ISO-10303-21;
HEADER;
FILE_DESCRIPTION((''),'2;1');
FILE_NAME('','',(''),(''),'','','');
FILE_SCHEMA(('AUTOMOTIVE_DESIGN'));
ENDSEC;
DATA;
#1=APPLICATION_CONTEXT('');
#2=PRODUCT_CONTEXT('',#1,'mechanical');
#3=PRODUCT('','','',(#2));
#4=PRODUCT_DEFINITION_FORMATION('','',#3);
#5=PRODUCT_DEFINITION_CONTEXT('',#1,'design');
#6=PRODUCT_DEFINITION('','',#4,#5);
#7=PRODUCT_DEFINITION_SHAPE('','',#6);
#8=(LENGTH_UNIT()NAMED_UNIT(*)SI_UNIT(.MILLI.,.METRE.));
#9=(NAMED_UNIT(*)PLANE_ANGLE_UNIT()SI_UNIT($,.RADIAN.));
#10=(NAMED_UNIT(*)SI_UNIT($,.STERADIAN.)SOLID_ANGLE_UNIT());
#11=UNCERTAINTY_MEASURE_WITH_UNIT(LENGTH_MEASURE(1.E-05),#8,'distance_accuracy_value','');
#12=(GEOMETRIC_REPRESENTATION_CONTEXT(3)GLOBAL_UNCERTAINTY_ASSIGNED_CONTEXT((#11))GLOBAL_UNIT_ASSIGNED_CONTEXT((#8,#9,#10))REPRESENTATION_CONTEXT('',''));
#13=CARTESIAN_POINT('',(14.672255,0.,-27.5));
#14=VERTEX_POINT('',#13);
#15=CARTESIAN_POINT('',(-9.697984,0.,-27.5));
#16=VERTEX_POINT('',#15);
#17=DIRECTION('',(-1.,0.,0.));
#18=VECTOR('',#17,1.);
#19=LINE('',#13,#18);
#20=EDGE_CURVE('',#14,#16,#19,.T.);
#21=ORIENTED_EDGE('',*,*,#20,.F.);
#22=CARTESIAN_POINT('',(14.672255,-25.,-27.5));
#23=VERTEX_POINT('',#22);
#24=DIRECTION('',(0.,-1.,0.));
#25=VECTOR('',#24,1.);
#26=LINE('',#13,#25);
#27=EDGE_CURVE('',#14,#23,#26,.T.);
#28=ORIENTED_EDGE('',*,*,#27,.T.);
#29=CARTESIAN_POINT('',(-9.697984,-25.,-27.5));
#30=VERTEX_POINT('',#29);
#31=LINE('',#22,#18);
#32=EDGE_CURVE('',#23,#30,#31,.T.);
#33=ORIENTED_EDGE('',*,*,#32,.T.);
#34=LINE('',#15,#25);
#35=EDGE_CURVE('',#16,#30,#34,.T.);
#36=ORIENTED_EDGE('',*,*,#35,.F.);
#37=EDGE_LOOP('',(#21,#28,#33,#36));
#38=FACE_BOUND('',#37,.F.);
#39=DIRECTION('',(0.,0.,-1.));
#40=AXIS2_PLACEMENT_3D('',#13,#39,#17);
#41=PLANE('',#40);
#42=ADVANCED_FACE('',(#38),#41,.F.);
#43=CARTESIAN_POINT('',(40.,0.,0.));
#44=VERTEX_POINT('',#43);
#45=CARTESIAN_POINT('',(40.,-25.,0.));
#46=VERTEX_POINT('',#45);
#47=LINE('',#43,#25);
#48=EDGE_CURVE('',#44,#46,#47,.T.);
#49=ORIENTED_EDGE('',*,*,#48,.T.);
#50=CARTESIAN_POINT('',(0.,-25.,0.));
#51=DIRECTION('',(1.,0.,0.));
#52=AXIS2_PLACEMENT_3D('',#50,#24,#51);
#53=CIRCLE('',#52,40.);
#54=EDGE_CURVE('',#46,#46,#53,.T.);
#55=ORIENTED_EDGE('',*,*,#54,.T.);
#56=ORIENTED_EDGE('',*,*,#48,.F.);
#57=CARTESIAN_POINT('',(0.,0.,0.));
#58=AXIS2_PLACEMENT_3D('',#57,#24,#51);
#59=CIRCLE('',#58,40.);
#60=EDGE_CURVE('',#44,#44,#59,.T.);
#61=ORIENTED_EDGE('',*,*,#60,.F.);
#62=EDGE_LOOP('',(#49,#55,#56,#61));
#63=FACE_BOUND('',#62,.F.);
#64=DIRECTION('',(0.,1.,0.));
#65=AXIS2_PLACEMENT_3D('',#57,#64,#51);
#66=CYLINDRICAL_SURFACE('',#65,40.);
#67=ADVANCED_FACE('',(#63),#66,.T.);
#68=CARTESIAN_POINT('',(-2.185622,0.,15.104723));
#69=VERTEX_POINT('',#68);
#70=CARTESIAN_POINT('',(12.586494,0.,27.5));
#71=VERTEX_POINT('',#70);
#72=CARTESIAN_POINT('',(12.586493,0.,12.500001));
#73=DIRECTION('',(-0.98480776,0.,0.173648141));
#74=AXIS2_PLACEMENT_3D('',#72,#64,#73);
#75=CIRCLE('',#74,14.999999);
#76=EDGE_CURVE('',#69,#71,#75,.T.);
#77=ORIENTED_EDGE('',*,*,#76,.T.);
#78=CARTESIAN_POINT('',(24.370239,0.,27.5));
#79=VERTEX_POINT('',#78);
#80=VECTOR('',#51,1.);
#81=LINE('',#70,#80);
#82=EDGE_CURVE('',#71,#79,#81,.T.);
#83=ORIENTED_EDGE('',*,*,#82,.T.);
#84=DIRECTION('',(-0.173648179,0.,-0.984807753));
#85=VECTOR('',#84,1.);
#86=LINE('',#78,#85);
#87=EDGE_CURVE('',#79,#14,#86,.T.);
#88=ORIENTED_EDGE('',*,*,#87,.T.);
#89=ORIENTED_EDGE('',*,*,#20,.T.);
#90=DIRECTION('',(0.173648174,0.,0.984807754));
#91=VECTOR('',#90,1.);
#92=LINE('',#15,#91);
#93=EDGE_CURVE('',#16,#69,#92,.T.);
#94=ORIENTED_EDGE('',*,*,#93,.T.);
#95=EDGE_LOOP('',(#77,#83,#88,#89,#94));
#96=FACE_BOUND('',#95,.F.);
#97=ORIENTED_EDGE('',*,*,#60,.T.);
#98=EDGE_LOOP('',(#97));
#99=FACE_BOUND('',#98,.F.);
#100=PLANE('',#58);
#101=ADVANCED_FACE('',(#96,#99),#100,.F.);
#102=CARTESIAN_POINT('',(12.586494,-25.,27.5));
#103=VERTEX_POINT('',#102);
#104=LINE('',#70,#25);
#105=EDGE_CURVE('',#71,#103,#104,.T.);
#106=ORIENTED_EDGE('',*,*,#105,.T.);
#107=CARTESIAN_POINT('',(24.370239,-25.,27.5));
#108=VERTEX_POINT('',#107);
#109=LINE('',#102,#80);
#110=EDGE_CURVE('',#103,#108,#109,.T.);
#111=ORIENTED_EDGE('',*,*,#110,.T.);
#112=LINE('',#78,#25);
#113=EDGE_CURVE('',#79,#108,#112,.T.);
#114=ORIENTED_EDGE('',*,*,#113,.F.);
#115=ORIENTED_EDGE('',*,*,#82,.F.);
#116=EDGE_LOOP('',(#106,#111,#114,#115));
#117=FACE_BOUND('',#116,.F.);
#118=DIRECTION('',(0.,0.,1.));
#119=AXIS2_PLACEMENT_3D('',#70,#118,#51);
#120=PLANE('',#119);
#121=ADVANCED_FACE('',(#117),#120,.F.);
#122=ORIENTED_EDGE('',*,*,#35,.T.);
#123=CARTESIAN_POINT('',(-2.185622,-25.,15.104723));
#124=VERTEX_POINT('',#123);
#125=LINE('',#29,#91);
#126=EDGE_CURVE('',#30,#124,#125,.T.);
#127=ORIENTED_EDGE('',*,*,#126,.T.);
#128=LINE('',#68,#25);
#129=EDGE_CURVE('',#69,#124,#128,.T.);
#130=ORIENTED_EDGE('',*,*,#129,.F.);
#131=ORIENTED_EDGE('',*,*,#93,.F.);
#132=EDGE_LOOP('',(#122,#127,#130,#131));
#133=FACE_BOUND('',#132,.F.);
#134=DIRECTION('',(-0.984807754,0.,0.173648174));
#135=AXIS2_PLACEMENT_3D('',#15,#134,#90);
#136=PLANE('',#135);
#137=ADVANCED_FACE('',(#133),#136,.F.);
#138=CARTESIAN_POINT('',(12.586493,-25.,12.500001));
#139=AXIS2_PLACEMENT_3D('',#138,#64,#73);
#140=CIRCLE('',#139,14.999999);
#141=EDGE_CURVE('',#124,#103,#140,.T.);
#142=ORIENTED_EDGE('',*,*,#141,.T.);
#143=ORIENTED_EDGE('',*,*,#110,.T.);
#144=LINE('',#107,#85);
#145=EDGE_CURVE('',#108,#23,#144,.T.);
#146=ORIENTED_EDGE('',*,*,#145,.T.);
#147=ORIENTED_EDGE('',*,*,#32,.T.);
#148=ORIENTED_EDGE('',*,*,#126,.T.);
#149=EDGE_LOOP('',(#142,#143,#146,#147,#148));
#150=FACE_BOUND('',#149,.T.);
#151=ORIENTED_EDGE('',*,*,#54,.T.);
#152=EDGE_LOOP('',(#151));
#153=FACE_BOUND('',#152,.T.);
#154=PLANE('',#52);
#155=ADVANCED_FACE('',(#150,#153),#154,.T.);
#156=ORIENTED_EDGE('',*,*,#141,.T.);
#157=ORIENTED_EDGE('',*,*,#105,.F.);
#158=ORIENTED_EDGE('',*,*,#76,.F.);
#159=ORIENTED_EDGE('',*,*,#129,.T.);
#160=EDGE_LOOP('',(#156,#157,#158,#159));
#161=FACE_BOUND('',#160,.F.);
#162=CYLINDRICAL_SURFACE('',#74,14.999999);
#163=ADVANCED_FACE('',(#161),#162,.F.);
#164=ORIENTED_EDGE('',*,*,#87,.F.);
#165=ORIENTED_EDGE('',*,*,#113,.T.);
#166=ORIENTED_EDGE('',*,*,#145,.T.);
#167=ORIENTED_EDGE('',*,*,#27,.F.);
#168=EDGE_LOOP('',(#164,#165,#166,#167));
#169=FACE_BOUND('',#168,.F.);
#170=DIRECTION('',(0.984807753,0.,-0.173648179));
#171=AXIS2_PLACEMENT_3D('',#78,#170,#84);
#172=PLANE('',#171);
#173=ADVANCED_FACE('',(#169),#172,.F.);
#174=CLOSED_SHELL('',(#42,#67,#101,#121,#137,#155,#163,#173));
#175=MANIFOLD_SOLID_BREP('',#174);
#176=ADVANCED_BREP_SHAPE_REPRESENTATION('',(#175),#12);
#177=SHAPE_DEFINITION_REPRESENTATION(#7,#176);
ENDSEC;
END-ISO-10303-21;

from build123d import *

# Parameters (mm, degrees)
F0_R     = 40
F1_DEPTH = 25


with BuildPart() as f1:
    # F0 (on Front) → F1 (new body)
    with BuildSketch(Plane.XZ):
        Circle(F0_R)
        with BuildLine():
            Line((24.370239, 27.5), (14.672255, -27.5))
            Line((14.672255, -27.5), (-9.697984, -27.5))
            Line((-9.697984, -27.5), (-2.185622, 15.104723))
            ThreePointArc((-2.185622, 15.104723), (2.94468, 23.990667), (12.586494, 27.5))
            Line((12.586494, 27.5), (24.370239, 27.5))
        make_face(mode=Mode.SUBTRACT)
    extrude(amount=F1_DEPTH)


solid = f1.part
